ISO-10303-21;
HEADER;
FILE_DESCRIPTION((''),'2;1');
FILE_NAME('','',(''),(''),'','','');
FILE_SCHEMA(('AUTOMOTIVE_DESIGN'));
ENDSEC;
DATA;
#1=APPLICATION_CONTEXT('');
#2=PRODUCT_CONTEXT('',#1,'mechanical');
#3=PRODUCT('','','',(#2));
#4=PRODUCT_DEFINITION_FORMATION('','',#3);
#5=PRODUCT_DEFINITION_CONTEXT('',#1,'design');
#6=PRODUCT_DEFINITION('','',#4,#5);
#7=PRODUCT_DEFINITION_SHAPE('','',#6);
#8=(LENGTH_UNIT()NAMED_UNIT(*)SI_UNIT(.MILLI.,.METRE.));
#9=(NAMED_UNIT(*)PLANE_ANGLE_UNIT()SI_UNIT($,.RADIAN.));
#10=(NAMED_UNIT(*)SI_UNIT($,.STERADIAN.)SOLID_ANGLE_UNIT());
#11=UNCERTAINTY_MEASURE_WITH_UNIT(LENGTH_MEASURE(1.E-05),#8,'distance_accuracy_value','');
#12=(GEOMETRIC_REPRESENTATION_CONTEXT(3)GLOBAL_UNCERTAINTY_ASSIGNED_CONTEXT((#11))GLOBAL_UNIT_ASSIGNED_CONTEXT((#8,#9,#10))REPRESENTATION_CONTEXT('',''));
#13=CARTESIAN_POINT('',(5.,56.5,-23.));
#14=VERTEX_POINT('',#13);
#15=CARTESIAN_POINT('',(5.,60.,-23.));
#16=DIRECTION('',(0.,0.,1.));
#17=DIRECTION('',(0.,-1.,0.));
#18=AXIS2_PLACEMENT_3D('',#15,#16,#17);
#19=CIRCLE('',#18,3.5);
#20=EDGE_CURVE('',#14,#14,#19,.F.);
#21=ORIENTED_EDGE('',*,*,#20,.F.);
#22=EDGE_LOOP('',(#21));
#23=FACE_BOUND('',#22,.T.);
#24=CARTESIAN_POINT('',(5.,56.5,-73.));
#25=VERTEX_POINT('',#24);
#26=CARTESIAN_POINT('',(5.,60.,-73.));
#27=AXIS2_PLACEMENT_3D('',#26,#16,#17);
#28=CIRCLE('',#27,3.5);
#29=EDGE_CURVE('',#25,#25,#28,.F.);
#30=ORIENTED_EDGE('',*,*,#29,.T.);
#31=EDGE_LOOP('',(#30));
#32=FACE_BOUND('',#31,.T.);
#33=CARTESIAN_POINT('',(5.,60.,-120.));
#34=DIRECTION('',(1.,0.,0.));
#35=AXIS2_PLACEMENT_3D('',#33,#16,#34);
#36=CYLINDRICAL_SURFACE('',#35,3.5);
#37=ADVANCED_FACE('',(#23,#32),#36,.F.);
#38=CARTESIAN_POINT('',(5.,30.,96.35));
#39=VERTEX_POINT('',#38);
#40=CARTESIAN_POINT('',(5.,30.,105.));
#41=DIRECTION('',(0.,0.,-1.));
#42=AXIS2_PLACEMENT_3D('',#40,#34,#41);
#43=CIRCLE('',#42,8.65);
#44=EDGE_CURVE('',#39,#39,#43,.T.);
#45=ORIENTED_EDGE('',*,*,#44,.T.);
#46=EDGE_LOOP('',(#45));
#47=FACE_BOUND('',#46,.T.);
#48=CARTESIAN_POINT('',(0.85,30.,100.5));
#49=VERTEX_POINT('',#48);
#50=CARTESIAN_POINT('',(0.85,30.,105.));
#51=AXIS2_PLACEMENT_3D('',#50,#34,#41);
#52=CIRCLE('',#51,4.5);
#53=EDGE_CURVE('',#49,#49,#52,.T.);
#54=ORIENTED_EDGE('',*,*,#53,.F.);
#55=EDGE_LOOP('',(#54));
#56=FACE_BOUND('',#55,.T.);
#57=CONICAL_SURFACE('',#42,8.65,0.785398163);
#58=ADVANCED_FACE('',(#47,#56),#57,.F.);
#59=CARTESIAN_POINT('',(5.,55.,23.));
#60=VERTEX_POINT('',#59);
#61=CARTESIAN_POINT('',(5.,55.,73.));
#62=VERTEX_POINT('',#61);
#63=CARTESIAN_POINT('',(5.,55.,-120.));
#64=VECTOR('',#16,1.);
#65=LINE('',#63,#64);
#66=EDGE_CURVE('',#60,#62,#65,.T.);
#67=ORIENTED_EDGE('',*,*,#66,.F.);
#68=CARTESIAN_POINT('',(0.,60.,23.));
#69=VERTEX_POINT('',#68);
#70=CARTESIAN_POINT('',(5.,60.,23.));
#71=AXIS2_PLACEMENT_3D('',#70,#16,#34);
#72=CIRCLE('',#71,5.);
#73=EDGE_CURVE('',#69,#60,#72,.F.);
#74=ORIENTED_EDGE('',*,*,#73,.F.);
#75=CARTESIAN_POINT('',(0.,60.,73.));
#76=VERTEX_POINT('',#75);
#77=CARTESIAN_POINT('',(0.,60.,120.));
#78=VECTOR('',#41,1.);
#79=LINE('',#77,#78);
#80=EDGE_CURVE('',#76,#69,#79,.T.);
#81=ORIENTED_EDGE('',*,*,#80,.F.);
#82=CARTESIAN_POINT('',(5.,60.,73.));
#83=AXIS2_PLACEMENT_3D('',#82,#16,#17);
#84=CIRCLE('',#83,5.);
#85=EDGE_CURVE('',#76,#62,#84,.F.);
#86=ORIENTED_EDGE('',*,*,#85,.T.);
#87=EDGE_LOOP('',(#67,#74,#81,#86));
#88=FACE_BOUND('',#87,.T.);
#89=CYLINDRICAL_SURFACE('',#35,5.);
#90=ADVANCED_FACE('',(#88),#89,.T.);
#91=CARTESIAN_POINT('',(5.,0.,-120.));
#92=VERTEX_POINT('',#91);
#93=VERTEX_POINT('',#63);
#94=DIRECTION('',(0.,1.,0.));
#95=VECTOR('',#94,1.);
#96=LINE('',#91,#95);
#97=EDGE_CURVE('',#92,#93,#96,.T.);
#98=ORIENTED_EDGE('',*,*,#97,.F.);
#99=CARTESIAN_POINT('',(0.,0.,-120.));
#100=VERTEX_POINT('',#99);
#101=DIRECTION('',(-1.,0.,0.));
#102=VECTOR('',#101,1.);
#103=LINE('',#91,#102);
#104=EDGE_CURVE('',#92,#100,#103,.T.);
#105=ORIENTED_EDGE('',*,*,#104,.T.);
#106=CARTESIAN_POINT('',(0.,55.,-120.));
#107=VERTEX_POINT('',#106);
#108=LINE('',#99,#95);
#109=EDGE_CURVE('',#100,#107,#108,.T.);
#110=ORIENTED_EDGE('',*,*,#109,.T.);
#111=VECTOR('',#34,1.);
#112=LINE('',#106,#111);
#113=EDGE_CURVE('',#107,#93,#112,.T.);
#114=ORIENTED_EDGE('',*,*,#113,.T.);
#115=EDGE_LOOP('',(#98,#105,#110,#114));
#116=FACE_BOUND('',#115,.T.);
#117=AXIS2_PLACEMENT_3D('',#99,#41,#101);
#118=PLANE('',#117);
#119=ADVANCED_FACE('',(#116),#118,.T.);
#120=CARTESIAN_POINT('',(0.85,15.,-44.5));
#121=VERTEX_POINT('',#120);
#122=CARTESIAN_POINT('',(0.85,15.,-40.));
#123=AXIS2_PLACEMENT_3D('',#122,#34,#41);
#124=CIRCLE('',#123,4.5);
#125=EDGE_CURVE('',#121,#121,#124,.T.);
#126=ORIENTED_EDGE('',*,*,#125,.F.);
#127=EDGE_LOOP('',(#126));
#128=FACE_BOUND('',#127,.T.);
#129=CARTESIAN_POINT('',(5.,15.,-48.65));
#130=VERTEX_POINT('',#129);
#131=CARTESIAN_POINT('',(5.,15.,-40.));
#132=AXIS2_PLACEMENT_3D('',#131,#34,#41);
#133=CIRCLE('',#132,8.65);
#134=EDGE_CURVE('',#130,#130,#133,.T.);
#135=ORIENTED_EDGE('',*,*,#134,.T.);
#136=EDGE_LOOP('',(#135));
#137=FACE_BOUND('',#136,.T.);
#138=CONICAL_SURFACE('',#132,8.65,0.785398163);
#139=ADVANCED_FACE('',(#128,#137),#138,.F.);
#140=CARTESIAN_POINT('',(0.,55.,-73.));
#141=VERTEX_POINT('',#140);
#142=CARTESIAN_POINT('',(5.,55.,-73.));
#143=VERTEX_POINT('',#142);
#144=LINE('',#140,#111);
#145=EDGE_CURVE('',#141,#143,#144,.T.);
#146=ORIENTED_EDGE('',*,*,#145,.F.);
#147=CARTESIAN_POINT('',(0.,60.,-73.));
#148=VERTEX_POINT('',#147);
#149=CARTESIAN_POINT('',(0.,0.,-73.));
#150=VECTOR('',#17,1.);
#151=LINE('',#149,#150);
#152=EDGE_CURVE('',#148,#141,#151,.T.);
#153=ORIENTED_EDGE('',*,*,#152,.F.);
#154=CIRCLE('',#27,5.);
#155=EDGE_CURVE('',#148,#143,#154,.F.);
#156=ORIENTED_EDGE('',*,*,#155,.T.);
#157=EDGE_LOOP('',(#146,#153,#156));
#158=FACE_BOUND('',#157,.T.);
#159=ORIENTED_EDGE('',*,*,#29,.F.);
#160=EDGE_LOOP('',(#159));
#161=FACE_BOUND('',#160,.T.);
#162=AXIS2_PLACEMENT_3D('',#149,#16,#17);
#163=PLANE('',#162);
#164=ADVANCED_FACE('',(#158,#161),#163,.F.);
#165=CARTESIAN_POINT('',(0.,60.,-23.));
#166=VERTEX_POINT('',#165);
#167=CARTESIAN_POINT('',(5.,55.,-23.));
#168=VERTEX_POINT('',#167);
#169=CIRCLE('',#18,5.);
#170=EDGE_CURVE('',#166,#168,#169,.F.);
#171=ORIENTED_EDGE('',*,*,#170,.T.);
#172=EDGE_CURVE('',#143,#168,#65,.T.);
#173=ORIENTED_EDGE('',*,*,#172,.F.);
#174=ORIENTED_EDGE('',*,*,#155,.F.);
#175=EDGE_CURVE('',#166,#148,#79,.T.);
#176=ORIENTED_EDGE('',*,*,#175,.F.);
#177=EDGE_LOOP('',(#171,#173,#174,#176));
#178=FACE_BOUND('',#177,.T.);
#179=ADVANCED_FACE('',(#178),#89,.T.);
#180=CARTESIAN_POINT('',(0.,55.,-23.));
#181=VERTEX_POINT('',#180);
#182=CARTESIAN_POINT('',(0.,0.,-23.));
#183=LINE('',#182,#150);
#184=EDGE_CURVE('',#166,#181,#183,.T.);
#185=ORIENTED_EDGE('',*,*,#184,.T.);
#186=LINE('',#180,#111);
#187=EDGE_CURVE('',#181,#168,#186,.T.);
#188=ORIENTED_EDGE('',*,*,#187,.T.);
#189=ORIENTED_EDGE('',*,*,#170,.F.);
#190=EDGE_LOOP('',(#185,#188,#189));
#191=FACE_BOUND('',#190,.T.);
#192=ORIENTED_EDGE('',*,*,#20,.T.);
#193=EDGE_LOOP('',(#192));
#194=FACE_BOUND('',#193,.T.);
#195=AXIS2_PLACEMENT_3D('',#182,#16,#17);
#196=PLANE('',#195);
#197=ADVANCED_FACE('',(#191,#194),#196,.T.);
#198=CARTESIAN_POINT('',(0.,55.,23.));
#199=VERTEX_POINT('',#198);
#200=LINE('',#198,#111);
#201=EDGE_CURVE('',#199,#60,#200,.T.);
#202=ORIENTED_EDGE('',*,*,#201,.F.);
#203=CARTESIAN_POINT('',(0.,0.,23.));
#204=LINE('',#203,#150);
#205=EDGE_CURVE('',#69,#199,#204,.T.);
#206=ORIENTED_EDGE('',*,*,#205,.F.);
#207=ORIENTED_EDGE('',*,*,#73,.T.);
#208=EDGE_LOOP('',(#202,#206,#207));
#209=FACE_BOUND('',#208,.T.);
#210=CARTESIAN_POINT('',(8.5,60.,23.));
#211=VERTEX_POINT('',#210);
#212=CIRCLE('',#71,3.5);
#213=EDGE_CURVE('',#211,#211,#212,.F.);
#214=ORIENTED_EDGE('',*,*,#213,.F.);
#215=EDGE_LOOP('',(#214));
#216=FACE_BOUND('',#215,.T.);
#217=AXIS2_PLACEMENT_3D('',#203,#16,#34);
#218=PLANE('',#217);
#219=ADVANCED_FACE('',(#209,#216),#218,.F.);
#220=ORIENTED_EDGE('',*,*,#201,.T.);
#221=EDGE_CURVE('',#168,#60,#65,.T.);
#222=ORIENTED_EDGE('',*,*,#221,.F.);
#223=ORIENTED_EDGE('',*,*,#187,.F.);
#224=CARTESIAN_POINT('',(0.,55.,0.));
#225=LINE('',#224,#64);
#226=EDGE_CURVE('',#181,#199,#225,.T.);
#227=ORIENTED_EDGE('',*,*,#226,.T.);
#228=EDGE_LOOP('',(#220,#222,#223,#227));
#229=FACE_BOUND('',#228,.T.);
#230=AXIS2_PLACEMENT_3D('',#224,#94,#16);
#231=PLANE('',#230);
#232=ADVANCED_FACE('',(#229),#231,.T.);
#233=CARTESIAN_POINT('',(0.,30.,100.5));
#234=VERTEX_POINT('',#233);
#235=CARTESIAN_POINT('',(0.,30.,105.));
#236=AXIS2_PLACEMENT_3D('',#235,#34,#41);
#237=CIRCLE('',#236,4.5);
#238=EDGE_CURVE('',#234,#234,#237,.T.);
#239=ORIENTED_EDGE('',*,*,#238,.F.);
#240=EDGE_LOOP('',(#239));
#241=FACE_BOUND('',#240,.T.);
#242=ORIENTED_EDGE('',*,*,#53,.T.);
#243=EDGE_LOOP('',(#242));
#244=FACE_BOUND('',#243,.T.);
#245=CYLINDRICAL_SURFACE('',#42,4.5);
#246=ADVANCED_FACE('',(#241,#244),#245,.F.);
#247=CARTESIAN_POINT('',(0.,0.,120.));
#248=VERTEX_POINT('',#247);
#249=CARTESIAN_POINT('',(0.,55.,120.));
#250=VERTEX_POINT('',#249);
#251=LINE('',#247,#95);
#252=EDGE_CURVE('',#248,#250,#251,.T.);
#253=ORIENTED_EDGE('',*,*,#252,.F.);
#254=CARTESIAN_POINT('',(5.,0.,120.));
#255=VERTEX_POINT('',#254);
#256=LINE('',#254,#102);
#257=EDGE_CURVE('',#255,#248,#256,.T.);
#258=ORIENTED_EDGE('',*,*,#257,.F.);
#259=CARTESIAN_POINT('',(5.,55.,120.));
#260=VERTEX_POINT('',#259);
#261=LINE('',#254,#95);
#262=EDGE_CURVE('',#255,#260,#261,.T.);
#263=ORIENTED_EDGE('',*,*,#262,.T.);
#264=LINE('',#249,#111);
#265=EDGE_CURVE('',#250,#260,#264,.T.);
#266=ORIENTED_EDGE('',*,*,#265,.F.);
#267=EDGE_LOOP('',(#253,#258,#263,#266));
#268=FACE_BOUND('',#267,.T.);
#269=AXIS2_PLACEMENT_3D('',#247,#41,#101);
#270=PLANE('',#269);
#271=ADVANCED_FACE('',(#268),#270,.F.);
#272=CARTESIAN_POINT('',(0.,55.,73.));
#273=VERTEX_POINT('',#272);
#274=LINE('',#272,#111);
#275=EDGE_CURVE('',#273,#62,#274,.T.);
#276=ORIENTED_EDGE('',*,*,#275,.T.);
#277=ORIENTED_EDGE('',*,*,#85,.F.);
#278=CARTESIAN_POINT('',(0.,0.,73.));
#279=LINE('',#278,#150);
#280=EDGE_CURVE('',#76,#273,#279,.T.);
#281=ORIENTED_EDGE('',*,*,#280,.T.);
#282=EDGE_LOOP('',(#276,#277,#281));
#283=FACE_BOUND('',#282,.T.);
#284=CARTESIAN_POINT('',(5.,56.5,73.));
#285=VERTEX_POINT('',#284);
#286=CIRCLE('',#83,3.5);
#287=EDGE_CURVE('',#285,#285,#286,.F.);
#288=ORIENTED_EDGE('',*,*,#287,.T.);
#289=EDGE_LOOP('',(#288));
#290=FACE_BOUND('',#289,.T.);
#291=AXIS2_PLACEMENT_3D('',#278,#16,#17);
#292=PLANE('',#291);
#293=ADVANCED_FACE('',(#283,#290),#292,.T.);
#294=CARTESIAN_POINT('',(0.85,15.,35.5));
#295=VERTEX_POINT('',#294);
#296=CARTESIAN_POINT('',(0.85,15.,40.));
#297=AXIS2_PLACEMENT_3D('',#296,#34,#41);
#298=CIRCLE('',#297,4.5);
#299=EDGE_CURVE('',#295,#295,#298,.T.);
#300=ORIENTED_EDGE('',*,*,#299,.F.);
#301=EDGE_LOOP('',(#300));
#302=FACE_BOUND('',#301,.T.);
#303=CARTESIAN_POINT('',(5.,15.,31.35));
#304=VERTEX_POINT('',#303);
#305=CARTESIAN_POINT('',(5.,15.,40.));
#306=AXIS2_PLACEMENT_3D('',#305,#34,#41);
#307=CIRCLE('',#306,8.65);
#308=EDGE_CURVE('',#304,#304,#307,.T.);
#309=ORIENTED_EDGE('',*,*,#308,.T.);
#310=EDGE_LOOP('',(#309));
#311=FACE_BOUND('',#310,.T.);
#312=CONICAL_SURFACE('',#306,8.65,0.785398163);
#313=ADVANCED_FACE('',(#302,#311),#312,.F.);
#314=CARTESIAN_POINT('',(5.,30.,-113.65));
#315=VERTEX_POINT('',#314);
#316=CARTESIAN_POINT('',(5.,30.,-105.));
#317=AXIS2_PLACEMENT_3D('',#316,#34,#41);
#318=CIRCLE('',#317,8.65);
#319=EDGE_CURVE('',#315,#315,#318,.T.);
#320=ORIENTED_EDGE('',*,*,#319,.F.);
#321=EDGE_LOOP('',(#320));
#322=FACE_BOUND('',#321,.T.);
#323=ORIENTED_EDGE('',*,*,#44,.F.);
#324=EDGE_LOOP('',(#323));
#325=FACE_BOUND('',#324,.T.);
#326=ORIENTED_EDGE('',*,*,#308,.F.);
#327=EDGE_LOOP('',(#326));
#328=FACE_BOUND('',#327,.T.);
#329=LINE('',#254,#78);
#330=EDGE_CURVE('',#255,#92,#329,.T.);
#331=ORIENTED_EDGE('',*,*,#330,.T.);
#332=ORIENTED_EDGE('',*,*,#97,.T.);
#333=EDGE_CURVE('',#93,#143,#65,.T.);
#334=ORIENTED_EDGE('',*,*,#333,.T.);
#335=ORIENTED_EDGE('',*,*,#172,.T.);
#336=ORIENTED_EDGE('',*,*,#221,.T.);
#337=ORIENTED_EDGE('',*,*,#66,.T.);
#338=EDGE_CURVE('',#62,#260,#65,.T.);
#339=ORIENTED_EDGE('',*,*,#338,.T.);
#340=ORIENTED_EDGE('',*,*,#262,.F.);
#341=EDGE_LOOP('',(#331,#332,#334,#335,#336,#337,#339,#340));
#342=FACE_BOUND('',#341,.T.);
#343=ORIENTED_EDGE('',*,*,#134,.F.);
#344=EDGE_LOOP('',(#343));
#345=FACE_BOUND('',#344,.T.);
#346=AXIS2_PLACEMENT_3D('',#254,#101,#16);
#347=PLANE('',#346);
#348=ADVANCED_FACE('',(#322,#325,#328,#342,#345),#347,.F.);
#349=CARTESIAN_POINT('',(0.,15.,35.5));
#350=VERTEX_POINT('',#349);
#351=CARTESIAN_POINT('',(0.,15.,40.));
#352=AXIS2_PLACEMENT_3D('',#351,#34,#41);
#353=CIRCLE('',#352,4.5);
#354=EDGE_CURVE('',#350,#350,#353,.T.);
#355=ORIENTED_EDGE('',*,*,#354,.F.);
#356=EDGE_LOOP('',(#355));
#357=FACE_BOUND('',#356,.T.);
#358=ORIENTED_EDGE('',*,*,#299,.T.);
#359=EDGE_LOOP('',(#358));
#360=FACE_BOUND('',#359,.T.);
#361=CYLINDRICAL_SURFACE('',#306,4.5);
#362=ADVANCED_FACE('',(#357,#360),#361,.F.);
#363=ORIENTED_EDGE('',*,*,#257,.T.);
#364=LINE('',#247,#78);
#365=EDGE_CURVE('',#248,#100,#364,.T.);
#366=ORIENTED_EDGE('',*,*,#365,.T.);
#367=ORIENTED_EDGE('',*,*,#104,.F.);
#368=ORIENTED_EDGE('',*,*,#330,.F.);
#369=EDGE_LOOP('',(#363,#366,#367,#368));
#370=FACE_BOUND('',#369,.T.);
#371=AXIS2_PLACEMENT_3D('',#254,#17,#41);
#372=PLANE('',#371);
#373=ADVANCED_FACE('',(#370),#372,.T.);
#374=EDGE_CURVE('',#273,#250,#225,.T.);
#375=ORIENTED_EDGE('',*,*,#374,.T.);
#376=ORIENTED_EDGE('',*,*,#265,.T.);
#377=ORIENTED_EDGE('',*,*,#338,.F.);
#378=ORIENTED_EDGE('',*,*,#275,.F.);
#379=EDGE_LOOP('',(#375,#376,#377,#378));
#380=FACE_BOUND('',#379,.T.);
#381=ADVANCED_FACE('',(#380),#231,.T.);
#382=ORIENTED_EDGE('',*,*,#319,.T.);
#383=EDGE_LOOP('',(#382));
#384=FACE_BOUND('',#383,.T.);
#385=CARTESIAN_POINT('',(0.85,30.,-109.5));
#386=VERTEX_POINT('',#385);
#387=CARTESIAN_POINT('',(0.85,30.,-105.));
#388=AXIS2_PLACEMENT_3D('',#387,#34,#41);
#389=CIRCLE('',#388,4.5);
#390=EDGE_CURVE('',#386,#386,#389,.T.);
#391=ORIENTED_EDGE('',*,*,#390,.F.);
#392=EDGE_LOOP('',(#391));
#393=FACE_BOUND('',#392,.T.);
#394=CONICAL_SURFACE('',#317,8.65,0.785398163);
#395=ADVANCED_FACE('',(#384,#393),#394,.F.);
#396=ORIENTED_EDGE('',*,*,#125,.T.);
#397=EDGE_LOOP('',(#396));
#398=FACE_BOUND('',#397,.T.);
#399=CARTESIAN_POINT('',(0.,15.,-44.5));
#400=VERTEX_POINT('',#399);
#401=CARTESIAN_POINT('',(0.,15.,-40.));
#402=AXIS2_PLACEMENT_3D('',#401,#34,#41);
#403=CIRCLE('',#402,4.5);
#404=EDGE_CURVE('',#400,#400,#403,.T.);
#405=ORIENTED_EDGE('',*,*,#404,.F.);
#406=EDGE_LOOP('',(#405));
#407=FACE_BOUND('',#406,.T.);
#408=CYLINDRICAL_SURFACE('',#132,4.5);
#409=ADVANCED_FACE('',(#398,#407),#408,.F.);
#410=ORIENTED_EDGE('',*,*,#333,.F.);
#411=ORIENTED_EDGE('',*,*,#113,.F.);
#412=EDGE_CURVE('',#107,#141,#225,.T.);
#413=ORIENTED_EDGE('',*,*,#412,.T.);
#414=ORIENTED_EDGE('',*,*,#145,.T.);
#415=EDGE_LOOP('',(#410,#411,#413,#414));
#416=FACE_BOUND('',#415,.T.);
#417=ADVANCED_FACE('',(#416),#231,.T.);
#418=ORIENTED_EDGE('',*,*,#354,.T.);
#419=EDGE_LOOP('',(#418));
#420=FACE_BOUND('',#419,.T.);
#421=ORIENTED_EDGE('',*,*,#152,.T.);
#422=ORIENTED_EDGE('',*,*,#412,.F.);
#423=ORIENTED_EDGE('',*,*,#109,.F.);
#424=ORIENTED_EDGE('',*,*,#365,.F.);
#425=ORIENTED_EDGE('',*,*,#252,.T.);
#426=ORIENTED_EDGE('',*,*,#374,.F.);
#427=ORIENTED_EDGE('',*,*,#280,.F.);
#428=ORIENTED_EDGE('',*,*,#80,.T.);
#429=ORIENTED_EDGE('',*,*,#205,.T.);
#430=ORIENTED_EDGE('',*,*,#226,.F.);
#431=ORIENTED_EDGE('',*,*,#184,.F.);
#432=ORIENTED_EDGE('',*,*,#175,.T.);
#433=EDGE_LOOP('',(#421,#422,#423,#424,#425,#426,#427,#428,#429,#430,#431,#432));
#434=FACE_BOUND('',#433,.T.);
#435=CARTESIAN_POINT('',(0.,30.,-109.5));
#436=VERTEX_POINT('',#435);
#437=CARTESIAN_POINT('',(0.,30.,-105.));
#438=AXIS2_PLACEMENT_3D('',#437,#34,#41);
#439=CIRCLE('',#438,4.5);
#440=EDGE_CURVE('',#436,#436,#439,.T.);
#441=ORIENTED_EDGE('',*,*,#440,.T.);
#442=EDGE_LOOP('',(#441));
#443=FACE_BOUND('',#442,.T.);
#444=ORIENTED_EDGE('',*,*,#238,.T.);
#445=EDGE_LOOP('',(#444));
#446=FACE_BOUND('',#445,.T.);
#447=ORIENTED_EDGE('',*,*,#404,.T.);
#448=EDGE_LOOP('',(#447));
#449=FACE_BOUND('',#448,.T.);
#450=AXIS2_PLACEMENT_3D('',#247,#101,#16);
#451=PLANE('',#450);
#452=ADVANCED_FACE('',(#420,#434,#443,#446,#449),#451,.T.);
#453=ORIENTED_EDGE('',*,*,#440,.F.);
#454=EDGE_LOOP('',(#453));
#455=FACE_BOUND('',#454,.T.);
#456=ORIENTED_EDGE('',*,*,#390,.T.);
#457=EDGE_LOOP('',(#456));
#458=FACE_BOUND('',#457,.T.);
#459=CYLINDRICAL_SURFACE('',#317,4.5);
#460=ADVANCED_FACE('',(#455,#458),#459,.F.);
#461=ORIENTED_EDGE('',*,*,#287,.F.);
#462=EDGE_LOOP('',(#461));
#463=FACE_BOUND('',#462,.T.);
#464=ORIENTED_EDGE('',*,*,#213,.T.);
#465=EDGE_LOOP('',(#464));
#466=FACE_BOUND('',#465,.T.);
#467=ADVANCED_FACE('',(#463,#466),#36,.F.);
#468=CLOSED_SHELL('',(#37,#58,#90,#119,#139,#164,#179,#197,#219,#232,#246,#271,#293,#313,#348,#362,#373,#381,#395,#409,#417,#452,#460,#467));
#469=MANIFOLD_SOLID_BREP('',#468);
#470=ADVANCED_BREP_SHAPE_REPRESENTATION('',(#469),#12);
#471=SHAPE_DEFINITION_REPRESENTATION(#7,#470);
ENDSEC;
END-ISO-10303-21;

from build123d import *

# Parameters (mm, degrees)
SKETCH_1_W                 = 5
SKETCH_1_H                 = 60
EXTRUDE_1_DEPTH            = 120
SKETCH_2_R                 = 5
SKETCH_4_R                 = 3.5
CUT_EXTRUDE_1_DEPTH        = 249.847342763
HOLE_WIZARD_M81_AT_2_COUNT = 2
HOLE_WIZARD_M81_AT_2_PITCH = 66.708320321
CUT_EXTRUDE_2_DEPTH        = 137.565002837
CUT_EXTRUDE_2_DEPTH_BACK   = 137.565002837
SKETCH_7_W                 = 47
SKETCH_7_H                 = 10
SKETCH_7_W_2               = 46


with BuildPart() as part:
    # Эскиз1 → Вытянуть-Тонкостенный1 (new, symmetric)
    with BuildSketch(Plane.XY):
        with Locations((2.5, 30)):
            Rectangle(SKETCH_1_W, SKETCH_1_H)
    extrude(amount=EXTRUDE_1_DEPTH, both=True)

    # По траектории1: sweep along a curve in space
    with BuildLine() as sweep_1_path:
        Line((5, 60, 120), (5, 60, -120))
    # Эскиз2 → По траектории1 (sweep)
    with BuildSketch(Plane.XY.offset(120)):
        with Locations((5, 60)):
            Circle(SKETCH_2_R)
    sweep(path=sweep_1_path.line)

    # Эскиз4 → Вырез-Вытянуть1 (cut, through all)
    with BuildSketch(Plane.XY.offset(120)):
        with Locations((5, 60)):
            Circle(SKETCH_4_R)
    extrude(amount=-CUT_EXTRUDE_1_DEPTH, mode=Mode.SUBTRACT)

    # Эскиз5 → Зенковка для  винта с плоской головкой M81 (revolve, cut)
    with BuildSketch(Plane(origin=(5, 30, 105), x_dir=(0, 0, -1), z_dir=(0, 1, 0))):
        Polygon((0, 0), (0, 5), (4.5, 5), (4.5, 4.15), (8.65, 0), align=None)
    hole_wizard_m81 = revolve(axis=Axis((11.35, 30, 105), (-1, 0, 0)), mode=Mode.SUBTRACT)

    # Зенковка для  винта с плоской головкой M81 at 2: Зенковка для  винта с плоской головкой M81 ×2
    with Locations(*[Vector(0, -0.22485950669875843, -0.9743911956946198) * (i * HOLE_WIZARD_M81_AT_2_PITCH) for i in range(1, HOLE_WIZARD_M81_AT_2_COUNT)]):
        add(hole_wizard_m81, mode=Mode.SUBTRACT)

    # Зеркальное отражение1: Зенковка для  винта с плоской головкой M81 across plane
    add(hole_wizard_m81.mirror(Plane.XY), mode=Mode.SUBTRACT)

    # Зеркальное отражение1 copy 1 sketch → Зеркальное отражение1 copy 1 (revolve, cut)
    with BuildSketch(Plane(origin=(5, 15, -40), x_dir=(0, 0, 1), z_dir=(0, 1, 0))):
        Polygon((0, 0), (0, -5), (4.5, -5), (4.5, -4.15), (8.65, 0), align=None)
    revolve(axis=Axis((11.35, 15, -40), (1, 0, 0)), mode=Mode.SUBTRACT)

    # Эскиз7 → Вырез-Вытянуть2 (cut, two sides: drawn at the far end of the back side and taken through both)
    with BuildSketch(Plane(origin=(5, 0, 0), x_dir=(0, 0, -1), z_dir=(1, 0, 0)).offset(-CUT_EXTRUDE_2_DEPTH_BACK)):
        with Locations((96.5, 60)):
            Rectangle(SKETCH_7_W, SKETCH_7_H)
        with Locations((0, 60)):
            Rectangle(SKETCH_7_W_2, SKETCH_7_H)
        with Locations((-96.5, 60)):
            Rectangle(SKETCH_7_W, SKETCH_7_H)
    extrude(amount=CUT_EXTRUDE_2_DEPTH + CUT_EXTRUDE_2_DEPTH_BACK, mode=Mode.SUBTRACT)


solid = part.part
